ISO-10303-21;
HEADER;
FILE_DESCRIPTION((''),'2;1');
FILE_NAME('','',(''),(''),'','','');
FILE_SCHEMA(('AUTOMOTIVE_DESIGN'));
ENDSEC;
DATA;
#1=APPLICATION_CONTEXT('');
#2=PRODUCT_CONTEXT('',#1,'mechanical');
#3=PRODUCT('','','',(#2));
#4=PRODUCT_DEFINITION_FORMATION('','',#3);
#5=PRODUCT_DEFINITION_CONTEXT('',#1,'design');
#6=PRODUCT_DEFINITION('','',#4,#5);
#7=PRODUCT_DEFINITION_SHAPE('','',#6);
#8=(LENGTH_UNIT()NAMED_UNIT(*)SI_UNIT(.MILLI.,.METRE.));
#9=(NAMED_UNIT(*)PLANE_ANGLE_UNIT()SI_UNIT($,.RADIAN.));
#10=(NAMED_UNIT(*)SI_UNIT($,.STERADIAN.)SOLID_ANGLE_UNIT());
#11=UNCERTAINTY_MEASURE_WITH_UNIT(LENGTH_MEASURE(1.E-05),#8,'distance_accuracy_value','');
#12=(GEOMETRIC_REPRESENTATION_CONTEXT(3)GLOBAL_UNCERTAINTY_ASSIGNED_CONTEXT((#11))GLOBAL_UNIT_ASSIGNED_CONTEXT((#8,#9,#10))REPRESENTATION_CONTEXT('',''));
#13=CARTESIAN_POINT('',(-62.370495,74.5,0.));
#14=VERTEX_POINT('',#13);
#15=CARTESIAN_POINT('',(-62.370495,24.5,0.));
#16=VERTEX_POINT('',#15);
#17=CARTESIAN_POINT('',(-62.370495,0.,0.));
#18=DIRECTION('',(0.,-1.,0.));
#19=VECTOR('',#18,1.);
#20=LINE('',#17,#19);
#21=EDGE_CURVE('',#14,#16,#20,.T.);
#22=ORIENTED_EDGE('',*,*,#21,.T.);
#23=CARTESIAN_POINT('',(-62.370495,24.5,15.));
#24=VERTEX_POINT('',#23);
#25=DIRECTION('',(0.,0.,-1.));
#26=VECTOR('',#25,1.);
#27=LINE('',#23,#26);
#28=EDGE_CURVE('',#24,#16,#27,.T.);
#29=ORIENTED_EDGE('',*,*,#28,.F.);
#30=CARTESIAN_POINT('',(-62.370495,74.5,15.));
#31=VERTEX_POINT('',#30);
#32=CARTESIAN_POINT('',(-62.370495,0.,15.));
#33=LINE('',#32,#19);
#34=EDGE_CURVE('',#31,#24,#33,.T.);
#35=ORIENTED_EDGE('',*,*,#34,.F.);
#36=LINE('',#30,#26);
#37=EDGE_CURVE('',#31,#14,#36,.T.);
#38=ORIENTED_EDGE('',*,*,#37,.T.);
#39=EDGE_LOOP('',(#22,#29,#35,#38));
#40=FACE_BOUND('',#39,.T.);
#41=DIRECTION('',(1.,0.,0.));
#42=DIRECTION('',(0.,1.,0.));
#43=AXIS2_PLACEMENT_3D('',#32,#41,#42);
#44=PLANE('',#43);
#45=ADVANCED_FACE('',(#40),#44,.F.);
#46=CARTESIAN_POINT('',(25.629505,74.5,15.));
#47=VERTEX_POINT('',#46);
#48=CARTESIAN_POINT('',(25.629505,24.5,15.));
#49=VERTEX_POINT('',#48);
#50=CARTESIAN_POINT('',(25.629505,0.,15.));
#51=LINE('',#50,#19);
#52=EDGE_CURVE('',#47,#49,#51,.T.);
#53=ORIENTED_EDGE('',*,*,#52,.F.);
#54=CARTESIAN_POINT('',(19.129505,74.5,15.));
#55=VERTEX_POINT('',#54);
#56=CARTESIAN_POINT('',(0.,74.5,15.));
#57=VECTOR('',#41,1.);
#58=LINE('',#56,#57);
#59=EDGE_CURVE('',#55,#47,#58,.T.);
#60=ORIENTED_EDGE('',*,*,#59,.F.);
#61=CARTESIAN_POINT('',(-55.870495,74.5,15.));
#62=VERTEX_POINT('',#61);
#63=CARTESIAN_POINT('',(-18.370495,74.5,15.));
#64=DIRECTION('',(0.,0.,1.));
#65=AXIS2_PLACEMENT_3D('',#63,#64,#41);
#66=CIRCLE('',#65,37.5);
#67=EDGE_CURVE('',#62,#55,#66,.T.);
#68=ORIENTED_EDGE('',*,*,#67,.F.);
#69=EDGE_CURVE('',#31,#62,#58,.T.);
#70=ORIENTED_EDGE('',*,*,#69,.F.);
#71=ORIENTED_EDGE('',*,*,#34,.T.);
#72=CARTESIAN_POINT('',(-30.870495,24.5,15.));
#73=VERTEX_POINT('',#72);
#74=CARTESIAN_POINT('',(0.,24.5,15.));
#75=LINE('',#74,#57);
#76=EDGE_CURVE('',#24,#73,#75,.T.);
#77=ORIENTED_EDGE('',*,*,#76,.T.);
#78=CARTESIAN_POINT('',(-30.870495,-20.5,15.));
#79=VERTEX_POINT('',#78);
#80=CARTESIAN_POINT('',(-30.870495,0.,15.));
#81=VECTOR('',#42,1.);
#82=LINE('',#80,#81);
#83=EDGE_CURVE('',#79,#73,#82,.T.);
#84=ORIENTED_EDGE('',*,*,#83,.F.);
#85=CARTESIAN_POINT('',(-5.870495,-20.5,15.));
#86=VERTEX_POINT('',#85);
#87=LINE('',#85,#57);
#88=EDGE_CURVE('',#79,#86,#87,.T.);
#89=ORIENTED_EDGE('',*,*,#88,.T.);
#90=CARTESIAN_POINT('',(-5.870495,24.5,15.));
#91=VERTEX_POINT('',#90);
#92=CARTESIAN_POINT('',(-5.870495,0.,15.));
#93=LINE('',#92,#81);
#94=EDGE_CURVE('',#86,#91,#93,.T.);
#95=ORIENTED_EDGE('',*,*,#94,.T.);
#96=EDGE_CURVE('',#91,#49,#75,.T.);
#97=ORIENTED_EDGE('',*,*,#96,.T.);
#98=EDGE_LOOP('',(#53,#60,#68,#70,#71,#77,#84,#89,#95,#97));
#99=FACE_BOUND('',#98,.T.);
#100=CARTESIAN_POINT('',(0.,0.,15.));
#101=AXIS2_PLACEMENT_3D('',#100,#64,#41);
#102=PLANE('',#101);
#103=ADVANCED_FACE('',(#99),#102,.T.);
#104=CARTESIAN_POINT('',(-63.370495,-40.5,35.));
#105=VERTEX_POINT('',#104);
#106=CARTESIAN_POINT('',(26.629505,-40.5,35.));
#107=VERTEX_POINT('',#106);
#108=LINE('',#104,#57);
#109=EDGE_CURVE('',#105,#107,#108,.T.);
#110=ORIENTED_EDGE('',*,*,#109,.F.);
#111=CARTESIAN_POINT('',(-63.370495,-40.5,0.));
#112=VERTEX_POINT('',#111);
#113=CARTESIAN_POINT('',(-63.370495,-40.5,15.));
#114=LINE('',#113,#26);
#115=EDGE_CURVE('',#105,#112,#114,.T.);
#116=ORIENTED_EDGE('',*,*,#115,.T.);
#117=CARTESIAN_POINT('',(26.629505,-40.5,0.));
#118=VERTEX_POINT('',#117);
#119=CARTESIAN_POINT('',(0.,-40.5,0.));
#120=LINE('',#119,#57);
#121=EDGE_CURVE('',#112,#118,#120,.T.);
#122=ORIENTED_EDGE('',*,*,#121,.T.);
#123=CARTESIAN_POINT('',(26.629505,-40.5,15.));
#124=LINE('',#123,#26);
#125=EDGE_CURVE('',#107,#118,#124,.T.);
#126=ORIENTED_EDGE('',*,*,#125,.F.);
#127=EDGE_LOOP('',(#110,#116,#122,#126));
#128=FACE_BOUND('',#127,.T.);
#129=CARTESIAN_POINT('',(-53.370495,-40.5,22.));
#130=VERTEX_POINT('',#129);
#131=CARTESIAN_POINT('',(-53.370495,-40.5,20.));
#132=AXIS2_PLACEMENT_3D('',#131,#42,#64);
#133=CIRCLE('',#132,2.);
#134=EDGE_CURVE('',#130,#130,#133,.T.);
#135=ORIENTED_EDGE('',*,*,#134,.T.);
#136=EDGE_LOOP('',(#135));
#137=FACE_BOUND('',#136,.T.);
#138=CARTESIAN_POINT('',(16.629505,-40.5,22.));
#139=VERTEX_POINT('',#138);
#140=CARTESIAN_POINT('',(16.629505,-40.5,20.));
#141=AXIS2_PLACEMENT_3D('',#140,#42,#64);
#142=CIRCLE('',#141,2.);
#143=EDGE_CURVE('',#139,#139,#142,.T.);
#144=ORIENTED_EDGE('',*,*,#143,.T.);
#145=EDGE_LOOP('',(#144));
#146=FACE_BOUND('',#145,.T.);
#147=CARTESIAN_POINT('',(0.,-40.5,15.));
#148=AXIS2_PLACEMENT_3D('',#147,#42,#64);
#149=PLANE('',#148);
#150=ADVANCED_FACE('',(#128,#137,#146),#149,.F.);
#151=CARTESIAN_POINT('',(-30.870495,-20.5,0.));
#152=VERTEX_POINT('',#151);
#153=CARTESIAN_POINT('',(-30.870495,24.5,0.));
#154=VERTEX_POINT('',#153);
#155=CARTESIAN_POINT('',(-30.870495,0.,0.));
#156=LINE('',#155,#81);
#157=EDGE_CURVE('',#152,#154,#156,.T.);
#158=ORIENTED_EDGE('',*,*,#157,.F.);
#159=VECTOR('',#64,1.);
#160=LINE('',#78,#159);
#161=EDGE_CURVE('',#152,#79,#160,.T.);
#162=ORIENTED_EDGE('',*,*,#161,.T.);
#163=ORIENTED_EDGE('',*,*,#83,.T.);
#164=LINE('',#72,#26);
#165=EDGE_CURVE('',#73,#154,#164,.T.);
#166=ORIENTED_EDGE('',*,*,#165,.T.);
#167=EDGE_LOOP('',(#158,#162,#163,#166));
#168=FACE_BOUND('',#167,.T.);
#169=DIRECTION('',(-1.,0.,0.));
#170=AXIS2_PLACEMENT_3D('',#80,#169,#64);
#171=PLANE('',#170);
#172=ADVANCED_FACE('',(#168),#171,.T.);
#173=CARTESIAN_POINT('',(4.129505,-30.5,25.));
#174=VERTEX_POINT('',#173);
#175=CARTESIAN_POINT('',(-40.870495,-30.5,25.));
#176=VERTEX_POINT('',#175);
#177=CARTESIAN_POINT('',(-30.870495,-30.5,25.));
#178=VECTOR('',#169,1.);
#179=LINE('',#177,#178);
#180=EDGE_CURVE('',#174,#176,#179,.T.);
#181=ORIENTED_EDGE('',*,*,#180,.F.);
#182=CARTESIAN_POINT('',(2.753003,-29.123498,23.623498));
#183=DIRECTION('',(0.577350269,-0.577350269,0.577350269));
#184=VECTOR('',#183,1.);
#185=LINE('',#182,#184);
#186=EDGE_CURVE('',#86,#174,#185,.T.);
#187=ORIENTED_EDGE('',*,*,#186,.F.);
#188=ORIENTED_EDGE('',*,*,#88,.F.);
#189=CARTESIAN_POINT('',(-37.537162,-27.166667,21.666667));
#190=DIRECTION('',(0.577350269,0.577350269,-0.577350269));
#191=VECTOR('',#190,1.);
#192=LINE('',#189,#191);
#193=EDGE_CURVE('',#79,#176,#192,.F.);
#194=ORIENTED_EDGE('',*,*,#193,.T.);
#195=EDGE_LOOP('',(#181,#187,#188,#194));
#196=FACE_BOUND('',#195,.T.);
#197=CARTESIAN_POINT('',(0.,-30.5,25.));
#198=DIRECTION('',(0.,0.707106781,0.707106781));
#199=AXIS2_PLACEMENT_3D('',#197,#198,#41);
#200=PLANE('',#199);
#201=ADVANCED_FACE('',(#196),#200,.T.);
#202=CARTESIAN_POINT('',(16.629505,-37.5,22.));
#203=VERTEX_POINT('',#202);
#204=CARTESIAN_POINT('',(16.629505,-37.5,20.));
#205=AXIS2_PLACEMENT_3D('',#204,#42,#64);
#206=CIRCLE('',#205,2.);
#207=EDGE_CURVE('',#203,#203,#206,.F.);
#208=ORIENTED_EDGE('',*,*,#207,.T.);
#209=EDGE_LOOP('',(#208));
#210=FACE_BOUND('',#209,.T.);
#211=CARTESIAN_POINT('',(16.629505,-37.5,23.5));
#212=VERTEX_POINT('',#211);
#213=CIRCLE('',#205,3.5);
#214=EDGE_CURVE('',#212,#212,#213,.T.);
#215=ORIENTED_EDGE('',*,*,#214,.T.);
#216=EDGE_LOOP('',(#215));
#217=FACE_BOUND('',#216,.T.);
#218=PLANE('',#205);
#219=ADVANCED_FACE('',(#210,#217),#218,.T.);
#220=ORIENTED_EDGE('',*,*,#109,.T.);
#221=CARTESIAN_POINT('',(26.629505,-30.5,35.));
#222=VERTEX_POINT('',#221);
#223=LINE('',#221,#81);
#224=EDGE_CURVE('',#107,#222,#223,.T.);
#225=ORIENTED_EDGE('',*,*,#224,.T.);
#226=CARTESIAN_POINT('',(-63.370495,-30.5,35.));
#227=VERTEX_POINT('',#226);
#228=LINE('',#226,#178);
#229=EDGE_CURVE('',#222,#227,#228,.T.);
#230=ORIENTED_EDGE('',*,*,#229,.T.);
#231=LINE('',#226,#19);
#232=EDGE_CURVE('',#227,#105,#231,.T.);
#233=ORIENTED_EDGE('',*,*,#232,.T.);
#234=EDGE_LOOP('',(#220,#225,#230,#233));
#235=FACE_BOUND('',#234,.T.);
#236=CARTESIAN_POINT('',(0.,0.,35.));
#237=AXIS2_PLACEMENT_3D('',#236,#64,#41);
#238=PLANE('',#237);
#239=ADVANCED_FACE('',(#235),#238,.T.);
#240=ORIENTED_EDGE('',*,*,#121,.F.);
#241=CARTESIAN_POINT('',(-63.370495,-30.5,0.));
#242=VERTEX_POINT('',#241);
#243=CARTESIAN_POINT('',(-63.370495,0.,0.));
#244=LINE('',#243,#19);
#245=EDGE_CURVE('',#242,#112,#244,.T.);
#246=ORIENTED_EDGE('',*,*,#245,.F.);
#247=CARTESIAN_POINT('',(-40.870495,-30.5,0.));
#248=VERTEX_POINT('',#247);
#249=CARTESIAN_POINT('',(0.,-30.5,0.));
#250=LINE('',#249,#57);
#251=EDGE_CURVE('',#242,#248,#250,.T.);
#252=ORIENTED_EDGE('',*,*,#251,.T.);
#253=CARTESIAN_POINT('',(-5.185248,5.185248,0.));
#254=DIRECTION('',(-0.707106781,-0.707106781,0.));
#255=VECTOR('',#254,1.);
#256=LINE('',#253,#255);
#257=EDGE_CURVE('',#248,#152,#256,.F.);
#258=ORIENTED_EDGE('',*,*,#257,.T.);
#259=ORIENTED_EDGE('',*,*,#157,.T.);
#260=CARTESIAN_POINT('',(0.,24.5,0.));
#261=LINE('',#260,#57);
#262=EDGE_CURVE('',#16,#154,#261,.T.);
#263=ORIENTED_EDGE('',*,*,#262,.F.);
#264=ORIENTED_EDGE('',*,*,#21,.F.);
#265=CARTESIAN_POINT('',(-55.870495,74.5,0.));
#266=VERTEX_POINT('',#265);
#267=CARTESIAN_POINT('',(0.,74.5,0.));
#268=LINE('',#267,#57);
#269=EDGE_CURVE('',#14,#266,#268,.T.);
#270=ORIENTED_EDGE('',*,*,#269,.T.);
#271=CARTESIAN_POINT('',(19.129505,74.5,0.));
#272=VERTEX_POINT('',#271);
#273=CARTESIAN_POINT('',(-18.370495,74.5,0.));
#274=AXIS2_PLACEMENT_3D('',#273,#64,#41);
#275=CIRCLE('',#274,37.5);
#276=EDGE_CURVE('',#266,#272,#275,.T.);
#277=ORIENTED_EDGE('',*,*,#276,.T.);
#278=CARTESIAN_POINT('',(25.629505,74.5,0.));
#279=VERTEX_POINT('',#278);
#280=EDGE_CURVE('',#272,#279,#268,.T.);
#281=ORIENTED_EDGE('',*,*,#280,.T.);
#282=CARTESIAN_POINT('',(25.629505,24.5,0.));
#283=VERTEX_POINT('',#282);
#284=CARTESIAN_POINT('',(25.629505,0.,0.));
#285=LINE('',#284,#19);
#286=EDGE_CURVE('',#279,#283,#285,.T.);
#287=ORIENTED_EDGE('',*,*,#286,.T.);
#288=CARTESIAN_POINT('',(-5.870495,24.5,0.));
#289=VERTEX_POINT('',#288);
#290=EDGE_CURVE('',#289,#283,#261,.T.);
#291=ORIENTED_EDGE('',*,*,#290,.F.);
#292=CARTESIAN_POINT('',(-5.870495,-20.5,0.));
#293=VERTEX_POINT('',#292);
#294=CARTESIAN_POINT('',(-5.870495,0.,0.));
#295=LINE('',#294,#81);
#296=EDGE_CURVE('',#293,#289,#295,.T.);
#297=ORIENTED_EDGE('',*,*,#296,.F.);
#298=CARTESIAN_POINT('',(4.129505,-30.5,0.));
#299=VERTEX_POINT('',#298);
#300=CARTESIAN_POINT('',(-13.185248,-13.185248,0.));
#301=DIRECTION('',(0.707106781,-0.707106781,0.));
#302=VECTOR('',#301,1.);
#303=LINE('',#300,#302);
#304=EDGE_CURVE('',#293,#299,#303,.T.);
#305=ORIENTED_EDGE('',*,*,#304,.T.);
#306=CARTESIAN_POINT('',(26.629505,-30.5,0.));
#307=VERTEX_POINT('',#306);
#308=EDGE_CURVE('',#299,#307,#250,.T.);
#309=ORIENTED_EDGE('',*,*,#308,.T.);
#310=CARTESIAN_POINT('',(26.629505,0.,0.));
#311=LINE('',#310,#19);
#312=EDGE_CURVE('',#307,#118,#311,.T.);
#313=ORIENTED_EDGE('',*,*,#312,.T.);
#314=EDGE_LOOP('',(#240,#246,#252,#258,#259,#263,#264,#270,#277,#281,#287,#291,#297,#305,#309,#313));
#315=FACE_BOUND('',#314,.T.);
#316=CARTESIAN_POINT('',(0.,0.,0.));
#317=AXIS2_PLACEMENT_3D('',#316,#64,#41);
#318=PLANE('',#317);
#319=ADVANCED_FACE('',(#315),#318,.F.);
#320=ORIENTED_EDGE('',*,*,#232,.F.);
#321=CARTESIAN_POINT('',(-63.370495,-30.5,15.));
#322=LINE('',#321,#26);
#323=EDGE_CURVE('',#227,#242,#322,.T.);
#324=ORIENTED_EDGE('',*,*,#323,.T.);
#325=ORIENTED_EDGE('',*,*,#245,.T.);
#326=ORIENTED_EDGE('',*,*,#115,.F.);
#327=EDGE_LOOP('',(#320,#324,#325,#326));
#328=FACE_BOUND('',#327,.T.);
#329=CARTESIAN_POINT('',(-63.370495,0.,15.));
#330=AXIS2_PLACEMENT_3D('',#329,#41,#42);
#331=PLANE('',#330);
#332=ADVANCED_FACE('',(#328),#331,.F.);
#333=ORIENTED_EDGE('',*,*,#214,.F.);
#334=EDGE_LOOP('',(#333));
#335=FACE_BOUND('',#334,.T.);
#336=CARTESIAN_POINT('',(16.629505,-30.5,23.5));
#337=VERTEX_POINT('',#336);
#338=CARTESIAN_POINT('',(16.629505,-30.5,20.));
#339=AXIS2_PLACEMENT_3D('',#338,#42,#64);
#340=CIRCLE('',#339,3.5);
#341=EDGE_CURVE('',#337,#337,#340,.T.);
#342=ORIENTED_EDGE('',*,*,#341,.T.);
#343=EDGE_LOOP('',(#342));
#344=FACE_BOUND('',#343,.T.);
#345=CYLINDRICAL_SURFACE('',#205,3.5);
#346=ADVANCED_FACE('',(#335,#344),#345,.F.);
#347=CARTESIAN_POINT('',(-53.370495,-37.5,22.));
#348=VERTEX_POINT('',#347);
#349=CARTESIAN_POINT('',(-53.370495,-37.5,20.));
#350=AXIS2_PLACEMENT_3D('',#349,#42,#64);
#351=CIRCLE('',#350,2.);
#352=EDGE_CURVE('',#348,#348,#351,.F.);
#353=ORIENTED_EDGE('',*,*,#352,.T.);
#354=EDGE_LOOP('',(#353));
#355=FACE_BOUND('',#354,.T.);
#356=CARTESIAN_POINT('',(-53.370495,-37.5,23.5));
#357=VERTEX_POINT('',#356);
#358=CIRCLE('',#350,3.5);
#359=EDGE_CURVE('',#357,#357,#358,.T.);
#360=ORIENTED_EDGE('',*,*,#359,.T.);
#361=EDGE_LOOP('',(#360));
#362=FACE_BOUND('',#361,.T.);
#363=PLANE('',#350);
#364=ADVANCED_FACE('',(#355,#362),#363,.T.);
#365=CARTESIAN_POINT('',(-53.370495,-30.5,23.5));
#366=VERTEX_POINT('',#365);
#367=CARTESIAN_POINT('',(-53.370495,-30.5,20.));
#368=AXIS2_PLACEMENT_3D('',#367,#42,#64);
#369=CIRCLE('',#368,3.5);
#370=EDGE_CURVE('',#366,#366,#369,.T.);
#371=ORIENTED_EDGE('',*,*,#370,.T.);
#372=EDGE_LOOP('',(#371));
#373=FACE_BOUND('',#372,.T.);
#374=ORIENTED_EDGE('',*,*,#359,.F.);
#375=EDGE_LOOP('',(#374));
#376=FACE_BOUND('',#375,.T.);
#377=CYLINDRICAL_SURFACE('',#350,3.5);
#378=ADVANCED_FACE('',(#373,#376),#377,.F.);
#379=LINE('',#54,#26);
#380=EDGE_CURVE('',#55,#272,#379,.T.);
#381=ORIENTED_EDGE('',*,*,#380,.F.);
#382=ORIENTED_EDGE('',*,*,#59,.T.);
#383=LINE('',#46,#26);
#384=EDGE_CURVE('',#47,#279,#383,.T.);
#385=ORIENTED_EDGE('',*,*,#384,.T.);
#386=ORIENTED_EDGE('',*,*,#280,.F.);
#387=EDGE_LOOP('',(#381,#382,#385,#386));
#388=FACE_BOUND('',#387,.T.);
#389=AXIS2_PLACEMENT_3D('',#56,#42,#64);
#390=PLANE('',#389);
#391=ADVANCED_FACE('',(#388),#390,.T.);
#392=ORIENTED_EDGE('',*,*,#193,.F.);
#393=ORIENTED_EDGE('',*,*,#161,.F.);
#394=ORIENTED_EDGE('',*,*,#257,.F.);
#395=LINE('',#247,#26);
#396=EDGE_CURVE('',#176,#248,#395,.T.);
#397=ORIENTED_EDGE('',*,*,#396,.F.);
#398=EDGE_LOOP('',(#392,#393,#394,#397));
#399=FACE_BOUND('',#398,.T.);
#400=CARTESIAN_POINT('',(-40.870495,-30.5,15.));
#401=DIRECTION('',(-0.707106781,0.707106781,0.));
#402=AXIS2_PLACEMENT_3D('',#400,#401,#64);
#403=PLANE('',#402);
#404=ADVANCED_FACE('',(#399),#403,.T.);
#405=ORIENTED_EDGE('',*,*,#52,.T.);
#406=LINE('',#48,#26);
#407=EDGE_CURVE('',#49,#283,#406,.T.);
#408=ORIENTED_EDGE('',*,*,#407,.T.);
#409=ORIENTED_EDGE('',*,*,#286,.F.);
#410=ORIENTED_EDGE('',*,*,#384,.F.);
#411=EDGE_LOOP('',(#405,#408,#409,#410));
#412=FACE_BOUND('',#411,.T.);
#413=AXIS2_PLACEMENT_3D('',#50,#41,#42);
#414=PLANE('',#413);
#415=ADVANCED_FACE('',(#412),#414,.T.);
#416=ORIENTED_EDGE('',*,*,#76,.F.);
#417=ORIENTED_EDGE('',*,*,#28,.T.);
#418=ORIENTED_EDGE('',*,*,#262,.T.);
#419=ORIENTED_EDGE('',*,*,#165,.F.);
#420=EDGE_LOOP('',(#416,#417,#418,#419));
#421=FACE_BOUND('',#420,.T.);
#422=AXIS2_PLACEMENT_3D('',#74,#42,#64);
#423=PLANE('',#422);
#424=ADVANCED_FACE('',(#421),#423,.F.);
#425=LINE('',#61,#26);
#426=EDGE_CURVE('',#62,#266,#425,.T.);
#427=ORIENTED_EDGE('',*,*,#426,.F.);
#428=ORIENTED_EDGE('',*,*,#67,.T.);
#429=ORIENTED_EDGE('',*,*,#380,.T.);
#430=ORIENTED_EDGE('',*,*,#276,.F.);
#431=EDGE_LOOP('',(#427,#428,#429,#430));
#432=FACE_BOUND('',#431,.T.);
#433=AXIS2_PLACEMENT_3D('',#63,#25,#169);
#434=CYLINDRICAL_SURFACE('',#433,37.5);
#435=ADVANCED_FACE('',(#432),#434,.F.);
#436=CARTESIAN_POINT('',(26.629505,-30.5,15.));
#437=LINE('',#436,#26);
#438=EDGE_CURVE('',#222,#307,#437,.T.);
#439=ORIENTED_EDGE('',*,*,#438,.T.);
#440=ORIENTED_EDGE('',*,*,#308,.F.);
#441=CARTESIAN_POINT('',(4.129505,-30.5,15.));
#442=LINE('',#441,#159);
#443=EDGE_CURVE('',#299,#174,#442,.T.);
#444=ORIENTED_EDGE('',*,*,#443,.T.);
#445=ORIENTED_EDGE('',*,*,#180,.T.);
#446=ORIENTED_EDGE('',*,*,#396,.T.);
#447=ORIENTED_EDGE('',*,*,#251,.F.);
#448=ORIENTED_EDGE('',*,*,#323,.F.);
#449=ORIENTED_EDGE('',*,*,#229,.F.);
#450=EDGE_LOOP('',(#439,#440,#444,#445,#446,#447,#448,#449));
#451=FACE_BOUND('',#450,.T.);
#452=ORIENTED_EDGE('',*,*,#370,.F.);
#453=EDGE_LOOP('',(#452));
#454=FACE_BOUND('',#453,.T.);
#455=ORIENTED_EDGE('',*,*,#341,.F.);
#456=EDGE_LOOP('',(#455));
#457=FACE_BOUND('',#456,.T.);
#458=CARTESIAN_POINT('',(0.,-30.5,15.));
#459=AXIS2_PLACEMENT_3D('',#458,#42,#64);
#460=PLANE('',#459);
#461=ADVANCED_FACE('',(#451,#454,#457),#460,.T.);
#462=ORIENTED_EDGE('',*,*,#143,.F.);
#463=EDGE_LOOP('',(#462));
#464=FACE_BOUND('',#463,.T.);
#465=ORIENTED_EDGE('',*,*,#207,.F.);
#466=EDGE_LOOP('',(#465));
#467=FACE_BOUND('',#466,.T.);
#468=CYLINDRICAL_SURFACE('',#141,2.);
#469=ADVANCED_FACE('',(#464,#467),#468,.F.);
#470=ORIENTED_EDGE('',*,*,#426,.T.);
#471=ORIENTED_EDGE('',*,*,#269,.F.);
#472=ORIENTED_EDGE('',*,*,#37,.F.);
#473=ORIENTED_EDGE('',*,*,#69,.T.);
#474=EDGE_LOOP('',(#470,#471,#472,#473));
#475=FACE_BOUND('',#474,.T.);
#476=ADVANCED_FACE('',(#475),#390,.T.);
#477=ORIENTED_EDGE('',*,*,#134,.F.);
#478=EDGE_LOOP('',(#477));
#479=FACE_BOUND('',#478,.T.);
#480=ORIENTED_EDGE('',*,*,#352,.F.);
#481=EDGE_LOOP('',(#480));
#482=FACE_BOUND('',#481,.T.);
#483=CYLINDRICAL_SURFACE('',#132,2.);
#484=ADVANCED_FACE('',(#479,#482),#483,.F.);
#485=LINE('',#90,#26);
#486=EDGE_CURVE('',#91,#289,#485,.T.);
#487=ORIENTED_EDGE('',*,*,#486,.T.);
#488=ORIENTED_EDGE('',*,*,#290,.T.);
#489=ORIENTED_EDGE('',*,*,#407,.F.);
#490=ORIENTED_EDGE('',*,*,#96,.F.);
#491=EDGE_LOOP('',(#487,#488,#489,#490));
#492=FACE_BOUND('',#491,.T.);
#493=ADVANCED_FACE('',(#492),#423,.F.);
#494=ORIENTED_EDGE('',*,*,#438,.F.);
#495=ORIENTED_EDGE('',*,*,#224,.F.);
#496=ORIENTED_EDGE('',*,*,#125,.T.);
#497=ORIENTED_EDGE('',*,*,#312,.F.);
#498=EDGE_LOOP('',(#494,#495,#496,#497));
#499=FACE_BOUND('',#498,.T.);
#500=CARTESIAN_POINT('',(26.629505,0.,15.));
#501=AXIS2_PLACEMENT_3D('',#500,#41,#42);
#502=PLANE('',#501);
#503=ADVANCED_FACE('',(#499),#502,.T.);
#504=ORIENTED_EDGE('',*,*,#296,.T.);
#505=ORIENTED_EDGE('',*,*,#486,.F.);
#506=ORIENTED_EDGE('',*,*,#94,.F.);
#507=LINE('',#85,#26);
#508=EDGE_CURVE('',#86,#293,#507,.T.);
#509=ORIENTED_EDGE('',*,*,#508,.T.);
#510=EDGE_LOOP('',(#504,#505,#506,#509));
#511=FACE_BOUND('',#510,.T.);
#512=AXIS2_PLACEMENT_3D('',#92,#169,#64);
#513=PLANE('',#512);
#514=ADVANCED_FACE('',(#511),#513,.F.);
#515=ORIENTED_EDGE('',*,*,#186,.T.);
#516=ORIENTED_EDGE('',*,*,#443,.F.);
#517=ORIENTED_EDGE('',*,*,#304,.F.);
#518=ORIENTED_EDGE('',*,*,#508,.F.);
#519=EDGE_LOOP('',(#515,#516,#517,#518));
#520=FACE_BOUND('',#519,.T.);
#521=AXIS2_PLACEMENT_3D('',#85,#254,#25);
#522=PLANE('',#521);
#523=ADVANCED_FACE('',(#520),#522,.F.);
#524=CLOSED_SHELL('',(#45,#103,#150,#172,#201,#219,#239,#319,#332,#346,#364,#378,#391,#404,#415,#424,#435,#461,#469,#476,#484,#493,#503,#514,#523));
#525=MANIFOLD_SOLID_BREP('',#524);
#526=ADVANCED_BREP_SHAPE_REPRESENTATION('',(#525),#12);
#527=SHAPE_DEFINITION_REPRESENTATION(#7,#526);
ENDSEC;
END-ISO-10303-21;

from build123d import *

# Parameters (mm, degrees)
SKETCH_1_W          = 25
SKETCH_1_H          = 55
SKETCH_1_W_2        = 90
SKETCH_1_H_2        = 10
EXTRUDE_1_DEPTH     = 15
SKETCH_2_W          = 90
SKETCH_2_H          = 10
EXTRUDE_2_DEPTH     = 20
CHAMFER_4_SIZE      = 10
SKETCH_4_R          = 2
CUT_EXTRUDE_1_DEPTH = 11
SKETCH_5_R          = 3.5
CUT_EXTRUDE_2_DEPTH = 7


with BuildPart() as part:
    # 草圖1 → 填料-伸長1 (new body)
    with BuildSketch(Plane.XY):
        with BuildLine():
            Line((-62.370495495, 24.5), (-30.870495495, 24.5))
            Line((-30.870495495, 24.5), (-5.870495495, 24.5))
            Line((-5.870495495, 24.5), (25.629504505, 24.5))
            Line((25.629504505, 24.5), (25.629504505, 74.5))
            Line((25.629504505, 74.5), (19.129504505, 74.5))
            ThreePointArc((19.129504505, 74.5), (-18.370495495, 37), (-55.870495495, 74.5))
            Line((-55.870495495, 74.5), (-62.370495495, 74.5))
            Line((-62.370495495, 74.5), (-62.370495495, 24.5))
        make_face()
        with Locations((-18.370495495, -3)):
            Rectangle(SKETCH_1_W, SKETCH_1_H)
        with Locations((-18.370495495, -35.5)):
            Rectangle(SKETCH_1_W_2, SKETCH_1_H_2)
    extrude(amount=EXTRUDE_1_DEPTH)

    # 草圖2 → 填料-伸長2 (add)
    with BuildSketch(Plane.XY.offset(15)):
        with Locations((-18.370495495, -35.5)):
            Rectangle(SKETCH_2_W, SKETCH_2_H)
    extrude(amount=EXTRUDE_2_DEPTH)

    # 導角4
    chamfer_4_edges = [part.edges().sort_by_distance(p)[0] for p in [
        (-5.870495495, -30.5, 7.5),
        (-30.870495495, -30.5, 7.5),
        (-18.370495495, -30.5, 15),
    ]]
    chamfer(chamfer_4_edges, length=CHAMFER_4_SIZE)

    # 草圖4 → 除料-伸長1 (cut, through all)
    with BuildSketch(Plane(origin=(0, -30.5, 0), x_dir=(1, 0, 0), z_dir=(0, 1, 0))):
        with Locations((-53.370495495, -20)):
            Circle(SKETCH_4_R)
        with Locations((16.629504505, -20)):
            Circle(SKETCH_4_R)
    extrude(amount=-CUT_EXTRUDE_1_DEPTH, mode=Mode.SUBTRACT)

    # 草圖5 → 除料-伸長2 (cut)
    with BuildSketch(Plane(origin=(0, -30.5, 0), x_dir=(1, 0, 0), z_dir=(0, 1, 0))):
        with Locations((-53.370495495, -20)):
            Circle(SKETCH_5_R)
        with Locations((16.629504505, -20)):
            Circle(SKETCH_5_R)
    extrude(amount=-CUT_EXTRUDE_2_DEPTH, mode=Mode.SUBTRACT)


solid = part.part
